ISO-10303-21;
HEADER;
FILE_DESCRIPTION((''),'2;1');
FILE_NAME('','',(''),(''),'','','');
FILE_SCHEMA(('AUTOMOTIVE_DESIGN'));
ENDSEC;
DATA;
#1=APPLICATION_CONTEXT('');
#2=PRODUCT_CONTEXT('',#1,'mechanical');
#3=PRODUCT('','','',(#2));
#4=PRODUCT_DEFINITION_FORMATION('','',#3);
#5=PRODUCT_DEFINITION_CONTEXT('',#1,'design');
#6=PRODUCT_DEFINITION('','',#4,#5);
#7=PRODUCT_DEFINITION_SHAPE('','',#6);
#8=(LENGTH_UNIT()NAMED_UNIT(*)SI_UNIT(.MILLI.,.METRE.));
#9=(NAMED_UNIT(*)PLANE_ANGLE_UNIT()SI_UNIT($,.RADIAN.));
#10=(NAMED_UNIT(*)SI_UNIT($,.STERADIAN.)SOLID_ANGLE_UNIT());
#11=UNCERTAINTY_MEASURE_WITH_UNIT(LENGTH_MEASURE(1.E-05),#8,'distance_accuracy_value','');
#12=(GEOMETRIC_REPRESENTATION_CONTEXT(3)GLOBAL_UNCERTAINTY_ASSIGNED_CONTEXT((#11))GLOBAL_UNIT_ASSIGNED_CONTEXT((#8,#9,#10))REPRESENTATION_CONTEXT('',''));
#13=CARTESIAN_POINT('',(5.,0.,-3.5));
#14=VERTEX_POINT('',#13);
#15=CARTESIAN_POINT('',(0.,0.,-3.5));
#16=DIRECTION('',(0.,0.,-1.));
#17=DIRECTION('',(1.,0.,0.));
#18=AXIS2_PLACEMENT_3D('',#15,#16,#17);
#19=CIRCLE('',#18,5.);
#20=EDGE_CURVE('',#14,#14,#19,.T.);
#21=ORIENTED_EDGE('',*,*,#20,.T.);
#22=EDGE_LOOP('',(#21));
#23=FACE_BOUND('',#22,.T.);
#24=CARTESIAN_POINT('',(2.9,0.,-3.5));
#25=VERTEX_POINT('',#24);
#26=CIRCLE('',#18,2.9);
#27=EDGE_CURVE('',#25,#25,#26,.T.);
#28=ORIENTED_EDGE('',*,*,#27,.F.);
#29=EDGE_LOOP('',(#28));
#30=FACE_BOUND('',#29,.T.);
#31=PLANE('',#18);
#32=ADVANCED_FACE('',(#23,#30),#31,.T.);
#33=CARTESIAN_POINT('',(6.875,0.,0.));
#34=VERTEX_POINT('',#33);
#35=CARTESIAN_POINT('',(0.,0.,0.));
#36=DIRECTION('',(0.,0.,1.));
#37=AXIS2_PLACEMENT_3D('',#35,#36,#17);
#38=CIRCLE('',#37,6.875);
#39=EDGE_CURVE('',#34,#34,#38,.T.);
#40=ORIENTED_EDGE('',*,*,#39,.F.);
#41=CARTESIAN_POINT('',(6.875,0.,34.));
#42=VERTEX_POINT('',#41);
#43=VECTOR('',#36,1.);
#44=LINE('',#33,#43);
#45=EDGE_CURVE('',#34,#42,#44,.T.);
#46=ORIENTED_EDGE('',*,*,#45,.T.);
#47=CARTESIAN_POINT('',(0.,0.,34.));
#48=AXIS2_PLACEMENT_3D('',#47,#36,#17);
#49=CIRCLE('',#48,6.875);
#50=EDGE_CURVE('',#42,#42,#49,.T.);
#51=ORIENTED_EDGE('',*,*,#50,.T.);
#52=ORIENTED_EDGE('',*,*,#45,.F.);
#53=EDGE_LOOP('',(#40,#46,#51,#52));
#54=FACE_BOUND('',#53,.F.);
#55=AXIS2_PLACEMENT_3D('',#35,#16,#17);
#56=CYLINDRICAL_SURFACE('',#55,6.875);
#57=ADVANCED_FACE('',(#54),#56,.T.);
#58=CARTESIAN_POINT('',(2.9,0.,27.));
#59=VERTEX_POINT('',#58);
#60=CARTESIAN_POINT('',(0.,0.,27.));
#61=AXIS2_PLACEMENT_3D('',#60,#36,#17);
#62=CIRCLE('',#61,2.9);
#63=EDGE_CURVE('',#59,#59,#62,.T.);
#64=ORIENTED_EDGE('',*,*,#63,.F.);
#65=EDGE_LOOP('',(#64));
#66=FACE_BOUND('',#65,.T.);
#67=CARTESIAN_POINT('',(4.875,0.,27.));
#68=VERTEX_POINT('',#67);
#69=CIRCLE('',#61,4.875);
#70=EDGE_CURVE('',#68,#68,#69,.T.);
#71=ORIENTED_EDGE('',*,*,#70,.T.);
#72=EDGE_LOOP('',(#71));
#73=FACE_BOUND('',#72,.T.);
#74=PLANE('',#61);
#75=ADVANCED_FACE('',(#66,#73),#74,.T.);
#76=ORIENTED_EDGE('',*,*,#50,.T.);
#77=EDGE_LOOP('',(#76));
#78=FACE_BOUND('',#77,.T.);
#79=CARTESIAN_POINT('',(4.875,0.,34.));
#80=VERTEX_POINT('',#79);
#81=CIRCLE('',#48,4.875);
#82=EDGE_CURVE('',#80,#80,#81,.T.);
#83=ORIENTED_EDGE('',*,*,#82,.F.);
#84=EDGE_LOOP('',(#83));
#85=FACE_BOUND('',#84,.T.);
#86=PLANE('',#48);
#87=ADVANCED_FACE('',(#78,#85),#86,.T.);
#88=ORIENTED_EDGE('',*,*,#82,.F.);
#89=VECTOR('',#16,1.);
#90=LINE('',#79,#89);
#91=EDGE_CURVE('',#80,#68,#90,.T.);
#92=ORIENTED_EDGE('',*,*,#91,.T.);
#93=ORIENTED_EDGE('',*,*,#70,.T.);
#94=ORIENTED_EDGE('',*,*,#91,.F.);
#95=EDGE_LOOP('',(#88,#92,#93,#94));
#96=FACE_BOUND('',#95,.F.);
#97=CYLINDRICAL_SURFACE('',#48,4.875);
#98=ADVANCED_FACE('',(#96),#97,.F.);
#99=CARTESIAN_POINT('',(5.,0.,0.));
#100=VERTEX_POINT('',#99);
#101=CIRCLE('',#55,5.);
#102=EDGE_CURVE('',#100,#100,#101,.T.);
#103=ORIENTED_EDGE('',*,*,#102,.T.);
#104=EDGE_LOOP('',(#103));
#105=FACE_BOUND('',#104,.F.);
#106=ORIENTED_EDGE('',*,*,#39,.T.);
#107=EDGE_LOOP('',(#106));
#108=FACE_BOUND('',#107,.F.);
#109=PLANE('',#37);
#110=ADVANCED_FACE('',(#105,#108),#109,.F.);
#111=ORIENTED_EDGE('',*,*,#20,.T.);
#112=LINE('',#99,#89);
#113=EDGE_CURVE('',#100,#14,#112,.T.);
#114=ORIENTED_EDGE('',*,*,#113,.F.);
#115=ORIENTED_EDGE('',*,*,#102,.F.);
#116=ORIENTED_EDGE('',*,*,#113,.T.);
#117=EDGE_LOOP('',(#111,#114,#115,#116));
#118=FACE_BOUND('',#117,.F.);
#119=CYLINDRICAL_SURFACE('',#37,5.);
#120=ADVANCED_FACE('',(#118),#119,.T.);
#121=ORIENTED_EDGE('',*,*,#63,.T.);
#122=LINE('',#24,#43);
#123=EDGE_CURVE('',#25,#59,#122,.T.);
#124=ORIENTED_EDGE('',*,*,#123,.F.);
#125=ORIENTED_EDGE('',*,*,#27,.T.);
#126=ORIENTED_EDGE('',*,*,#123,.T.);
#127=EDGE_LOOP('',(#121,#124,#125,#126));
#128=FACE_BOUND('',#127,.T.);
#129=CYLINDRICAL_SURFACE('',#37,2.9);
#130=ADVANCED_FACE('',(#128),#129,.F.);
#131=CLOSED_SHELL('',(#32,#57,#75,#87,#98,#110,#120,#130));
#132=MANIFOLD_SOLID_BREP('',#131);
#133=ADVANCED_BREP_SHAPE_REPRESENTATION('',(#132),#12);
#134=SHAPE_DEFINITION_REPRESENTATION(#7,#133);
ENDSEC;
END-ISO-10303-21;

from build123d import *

# Parameters (mm, degrees)
F0_R     = 6.875
F0_R_2   = 2.9
F1_DEPTH = 34
F2_R     = 5
F2_R_2   = 2.9
F3_DEPTH = 3.5
F4_R     = 4.875
F5_DEPTH = 7


with BuildPart() as f1:
    # F0 (on Top) → F1 (new body)
    with BuildSketch(Plane.XY):
        Circle(F0_R)
        Circle(F0_R_2, mode=Mode.SUBTRACT)
    extrude(amount=F1_DEPTH)

    # F2 (on face) → F3 (join)
    with BuildSketch(Plane(origin=(0, 0, 0), x_dir=(1, 0, 0), z_dir=(0, 0, -1))):
        Circle(F2_R)
        Circle(F2_R_2, mode=Mode.SUBTRACT)
    extrude(amount=F3_DEPTH)

    # F4 (on face) → F5 (cut)
    with BuildSketch(Plane.XY.offset(34)):
        Circle(F4_R)
    extrude(amount=-F5_DEPTH, mode=Mode.SUBTRACT)


solid = f1.part
